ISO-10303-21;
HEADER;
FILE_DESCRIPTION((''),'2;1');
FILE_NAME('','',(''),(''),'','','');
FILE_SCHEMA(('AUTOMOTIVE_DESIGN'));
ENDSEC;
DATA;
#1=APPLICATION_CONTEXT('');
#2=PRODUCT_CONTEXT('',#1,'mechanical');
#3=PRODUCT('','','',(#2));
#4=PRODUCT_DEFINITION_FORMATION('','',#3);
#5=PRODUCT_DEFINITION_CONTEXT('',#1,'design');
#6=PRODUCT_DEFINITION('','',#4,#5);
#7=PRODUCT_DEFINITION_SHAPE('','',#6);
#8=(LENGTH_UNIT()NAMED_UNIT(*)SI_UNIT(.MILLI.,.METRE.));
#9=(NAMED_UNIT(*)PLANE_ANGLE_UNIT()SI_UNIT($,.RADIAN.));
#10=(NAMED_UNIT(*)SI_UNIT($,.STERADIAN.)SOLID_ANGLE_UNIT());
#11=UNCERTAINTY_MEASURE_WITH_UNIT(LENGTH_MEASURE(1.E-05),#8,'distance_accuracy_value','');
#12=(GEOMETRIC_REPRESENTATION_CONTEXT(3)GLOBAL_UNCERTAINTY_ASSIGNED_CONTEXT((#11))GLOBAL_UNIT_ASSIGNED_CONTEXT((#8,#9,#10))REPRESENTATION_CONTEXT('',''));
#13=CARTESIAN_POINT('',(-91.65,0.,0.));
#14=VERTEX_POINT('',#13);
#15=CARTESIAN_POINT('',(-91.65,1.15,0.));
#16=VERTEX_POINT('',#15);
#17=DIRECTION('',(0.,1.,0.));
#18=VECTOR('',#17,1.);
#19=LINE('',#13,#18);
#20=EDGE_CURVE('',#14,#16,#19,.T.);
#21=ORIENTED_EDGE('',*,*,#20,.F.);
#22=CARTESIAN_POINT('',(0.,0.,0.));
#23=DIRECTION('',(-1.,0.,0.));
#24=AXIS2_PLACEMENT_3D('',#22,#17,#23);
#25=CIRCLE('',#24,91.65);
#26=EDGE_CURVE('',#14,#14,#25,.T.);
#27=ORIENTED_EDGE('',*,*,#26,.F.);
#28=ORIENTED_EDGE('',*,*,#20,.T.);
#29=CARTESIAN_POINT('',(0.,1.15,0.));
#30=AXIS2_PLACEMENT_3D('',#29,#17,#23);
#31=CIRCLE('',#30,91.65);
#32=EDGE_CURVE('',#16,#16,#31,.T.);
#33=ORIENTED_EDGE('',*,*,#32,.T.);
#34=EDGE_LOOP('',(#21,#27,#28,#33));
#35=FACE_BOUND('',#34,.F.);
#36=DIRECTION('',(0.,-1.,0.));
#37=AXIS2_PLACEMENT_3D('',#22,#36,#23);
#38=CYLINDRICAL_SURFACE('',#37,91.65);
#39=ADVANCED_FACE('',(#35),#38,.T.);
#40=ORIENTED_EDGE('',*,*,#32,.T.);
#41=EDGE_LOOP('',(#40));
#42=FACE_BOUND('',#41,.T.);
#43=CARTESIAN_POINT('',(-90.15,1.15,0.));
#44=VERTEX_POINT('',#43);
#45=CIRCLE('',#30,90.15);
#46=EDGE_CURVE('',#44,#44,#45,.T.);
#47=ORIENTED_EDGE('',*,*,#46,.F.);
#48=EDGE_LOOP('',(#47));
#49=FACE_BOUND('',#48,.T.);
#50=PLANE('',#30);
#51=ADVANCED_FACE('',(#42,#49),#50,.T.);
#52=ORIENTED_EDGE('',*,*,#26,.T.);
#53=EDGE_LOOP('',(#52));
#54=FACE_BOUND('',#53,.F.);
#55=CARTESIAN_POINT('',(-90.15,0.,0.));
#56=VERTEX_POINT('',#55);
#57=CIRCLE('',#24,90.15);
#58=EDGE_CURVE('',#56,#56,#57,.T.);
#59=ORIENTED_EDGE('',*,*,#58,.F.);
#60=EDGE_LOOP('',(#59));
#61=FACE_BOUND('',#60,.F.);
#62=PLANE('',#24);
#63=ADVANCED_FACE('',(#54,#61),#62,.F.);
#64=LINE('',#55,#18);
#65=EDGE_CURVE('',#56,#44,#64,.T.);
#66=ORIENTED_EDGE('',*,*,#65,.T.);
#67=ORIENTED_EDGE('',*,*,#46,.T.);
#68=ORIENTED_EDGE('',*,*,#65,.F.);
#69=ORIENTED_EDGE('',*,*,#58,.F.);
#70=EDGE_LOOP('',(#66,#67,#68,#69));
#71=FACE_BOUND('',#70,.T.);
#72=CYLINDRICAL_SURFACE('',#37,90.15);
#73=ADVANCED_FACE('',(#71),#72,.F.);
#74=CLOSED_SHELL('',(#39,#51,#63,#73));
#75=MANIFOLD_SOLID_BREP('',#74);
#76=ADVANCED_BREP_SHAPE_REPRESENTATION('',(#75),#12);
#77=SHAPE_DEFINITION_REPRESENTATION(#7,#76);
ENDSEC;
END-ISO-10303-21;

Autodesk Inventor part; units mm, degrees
ref_plane "YZ Plane" through (0, 0, 0) normal (1, 0, 0) x (0, 1, 0)
ref_plane "XZ Plane" through (0, 0, 0) normal (0, 1, 0) x (-1, 0, 0)
ref_plane "XY Plane" through (0, 0, 0) normal (0, 0, 1) x (1, 0, 0)
sketch "Sketch1" plane through (0, 0, 0) normal (0, 1, 0) x (-1, 0, 0)
  circle A0 centre (0, 0) radius 91.65
  circle A1 centre (0, 0) radius 90.15
  dimension "d0" = 183.3
  dimension "d1" = 180.3
extrude "Extrusion1" add sketch "Sketch1" along normal blind 1.15
properties part number "external_diffuser_spacer_3DPrint"
